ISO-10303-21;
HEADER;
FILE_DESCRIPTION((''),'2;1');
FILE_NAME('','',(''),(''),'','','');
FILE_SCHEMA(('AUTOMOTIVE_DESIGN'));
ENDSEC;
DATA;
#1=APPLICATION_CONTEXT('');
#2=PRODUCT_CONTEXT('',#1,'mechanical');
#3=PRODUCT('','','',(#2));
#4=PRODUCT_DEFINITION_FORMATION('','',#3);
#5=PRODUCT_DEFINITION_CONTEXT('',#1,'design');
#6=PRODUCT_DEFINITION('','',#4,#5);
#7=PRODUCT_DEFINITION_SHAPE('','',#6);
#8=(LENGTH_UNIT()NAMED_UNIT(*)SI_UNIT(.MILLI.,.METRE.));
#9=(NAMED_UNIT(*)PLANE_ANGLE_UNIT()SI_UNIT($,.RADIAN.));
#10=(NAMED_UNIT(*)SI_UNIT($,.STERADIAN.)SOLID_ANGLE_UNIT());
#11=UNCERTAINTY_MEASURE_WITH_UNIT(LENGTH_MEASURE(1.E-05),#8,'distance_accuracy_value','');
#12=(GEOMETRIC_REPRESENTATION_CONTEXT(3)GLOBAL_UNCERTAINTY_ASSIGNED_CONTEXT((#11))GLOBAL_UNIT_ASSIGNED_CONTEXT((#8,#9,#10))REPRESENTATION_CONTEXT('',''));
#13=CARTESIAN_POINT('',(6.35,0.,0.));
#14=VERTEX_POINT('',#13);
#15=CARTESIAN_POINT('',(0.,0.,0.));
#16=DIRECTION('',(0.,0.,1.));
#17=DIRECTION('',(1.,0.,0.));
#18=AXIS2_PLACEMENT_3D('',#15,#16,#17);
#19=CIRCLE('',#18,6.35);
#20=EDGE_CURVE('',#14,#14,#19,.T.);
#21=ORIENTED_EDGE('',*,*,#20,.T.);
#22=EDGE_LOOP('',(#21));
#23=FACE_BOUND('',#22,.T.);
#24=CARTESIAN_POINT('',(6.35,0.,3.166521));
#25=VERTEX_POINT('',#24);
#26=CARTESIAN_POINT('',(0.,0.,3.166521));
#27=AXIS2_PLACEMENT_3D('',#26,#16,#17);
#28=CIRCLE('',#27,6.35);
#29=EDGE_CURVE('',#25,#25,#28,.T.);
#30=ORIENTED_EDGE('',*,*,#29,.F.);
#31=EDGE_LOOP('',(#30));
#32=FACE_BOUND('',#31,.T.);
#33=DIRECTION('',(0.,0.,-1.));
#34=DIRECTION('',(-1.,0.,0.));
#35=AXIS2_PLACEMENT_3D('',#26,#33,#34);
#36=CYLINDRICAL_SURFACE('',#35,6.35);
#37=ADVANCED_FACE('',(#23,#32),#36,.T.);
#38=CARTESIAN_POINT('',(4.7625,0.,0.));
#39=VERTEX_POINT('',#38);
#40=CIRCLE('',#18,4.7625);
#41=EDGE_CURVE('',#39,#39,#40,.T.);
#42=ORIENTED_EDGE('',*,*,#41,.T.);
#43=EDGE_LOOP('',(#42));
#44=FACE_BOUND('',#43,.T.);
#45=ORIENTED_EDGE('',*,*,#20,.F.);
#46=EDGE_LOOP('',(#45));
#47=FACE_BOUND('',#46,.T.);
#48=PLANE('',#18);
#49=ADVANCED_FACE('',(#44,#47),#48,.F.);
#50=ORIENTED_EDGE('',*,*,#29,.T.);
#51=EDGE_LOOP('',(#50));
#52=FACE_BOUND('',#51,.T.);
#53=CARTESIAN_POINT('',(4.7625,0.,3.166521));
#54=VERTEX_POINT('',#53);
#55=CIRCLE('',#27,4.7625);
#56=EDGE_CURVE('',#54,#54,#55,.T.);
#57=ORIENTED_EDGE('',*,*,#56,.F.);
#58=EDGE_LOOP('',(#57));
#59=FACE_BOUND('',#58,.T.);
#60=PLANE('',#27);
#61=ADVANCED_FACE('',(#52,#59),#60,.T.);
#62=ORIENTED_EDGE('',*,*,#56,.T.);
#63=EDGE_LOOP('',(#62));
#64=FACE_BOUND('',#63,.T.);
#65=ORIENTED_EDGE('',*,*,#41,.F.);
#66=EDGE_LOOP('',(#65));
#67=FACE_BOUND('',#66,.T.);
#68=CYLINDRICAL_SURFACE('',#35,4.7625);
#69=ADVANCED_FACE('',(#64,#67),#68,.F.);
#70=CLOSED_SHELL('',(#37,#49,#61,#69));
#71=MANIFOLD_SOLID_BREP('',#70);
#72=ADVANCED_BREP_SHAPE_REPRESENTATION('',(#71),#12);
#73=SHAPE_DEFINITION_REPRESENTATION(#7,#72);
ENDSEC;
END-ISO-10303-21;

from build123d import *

# Parameters (mm, degrees)
SKETCH1_R           = 6.35
SKETCH1_R_2         = 4.7625
BOSS_EXTRUDE1_DEPTH = 3.16652148


with BuildPart() as part:
    # Sketch1 → Boss-Extrude1 (new body)
    with BuildSketch(Plane.XY):
        Circle(SKETCH1_R)
        Circle(SKETCH1_R_2, mode=Mode.SUBTRACT)
    extrude(amount=BOSS_EXTRUDE1_DEPTH)


solid = part.part
